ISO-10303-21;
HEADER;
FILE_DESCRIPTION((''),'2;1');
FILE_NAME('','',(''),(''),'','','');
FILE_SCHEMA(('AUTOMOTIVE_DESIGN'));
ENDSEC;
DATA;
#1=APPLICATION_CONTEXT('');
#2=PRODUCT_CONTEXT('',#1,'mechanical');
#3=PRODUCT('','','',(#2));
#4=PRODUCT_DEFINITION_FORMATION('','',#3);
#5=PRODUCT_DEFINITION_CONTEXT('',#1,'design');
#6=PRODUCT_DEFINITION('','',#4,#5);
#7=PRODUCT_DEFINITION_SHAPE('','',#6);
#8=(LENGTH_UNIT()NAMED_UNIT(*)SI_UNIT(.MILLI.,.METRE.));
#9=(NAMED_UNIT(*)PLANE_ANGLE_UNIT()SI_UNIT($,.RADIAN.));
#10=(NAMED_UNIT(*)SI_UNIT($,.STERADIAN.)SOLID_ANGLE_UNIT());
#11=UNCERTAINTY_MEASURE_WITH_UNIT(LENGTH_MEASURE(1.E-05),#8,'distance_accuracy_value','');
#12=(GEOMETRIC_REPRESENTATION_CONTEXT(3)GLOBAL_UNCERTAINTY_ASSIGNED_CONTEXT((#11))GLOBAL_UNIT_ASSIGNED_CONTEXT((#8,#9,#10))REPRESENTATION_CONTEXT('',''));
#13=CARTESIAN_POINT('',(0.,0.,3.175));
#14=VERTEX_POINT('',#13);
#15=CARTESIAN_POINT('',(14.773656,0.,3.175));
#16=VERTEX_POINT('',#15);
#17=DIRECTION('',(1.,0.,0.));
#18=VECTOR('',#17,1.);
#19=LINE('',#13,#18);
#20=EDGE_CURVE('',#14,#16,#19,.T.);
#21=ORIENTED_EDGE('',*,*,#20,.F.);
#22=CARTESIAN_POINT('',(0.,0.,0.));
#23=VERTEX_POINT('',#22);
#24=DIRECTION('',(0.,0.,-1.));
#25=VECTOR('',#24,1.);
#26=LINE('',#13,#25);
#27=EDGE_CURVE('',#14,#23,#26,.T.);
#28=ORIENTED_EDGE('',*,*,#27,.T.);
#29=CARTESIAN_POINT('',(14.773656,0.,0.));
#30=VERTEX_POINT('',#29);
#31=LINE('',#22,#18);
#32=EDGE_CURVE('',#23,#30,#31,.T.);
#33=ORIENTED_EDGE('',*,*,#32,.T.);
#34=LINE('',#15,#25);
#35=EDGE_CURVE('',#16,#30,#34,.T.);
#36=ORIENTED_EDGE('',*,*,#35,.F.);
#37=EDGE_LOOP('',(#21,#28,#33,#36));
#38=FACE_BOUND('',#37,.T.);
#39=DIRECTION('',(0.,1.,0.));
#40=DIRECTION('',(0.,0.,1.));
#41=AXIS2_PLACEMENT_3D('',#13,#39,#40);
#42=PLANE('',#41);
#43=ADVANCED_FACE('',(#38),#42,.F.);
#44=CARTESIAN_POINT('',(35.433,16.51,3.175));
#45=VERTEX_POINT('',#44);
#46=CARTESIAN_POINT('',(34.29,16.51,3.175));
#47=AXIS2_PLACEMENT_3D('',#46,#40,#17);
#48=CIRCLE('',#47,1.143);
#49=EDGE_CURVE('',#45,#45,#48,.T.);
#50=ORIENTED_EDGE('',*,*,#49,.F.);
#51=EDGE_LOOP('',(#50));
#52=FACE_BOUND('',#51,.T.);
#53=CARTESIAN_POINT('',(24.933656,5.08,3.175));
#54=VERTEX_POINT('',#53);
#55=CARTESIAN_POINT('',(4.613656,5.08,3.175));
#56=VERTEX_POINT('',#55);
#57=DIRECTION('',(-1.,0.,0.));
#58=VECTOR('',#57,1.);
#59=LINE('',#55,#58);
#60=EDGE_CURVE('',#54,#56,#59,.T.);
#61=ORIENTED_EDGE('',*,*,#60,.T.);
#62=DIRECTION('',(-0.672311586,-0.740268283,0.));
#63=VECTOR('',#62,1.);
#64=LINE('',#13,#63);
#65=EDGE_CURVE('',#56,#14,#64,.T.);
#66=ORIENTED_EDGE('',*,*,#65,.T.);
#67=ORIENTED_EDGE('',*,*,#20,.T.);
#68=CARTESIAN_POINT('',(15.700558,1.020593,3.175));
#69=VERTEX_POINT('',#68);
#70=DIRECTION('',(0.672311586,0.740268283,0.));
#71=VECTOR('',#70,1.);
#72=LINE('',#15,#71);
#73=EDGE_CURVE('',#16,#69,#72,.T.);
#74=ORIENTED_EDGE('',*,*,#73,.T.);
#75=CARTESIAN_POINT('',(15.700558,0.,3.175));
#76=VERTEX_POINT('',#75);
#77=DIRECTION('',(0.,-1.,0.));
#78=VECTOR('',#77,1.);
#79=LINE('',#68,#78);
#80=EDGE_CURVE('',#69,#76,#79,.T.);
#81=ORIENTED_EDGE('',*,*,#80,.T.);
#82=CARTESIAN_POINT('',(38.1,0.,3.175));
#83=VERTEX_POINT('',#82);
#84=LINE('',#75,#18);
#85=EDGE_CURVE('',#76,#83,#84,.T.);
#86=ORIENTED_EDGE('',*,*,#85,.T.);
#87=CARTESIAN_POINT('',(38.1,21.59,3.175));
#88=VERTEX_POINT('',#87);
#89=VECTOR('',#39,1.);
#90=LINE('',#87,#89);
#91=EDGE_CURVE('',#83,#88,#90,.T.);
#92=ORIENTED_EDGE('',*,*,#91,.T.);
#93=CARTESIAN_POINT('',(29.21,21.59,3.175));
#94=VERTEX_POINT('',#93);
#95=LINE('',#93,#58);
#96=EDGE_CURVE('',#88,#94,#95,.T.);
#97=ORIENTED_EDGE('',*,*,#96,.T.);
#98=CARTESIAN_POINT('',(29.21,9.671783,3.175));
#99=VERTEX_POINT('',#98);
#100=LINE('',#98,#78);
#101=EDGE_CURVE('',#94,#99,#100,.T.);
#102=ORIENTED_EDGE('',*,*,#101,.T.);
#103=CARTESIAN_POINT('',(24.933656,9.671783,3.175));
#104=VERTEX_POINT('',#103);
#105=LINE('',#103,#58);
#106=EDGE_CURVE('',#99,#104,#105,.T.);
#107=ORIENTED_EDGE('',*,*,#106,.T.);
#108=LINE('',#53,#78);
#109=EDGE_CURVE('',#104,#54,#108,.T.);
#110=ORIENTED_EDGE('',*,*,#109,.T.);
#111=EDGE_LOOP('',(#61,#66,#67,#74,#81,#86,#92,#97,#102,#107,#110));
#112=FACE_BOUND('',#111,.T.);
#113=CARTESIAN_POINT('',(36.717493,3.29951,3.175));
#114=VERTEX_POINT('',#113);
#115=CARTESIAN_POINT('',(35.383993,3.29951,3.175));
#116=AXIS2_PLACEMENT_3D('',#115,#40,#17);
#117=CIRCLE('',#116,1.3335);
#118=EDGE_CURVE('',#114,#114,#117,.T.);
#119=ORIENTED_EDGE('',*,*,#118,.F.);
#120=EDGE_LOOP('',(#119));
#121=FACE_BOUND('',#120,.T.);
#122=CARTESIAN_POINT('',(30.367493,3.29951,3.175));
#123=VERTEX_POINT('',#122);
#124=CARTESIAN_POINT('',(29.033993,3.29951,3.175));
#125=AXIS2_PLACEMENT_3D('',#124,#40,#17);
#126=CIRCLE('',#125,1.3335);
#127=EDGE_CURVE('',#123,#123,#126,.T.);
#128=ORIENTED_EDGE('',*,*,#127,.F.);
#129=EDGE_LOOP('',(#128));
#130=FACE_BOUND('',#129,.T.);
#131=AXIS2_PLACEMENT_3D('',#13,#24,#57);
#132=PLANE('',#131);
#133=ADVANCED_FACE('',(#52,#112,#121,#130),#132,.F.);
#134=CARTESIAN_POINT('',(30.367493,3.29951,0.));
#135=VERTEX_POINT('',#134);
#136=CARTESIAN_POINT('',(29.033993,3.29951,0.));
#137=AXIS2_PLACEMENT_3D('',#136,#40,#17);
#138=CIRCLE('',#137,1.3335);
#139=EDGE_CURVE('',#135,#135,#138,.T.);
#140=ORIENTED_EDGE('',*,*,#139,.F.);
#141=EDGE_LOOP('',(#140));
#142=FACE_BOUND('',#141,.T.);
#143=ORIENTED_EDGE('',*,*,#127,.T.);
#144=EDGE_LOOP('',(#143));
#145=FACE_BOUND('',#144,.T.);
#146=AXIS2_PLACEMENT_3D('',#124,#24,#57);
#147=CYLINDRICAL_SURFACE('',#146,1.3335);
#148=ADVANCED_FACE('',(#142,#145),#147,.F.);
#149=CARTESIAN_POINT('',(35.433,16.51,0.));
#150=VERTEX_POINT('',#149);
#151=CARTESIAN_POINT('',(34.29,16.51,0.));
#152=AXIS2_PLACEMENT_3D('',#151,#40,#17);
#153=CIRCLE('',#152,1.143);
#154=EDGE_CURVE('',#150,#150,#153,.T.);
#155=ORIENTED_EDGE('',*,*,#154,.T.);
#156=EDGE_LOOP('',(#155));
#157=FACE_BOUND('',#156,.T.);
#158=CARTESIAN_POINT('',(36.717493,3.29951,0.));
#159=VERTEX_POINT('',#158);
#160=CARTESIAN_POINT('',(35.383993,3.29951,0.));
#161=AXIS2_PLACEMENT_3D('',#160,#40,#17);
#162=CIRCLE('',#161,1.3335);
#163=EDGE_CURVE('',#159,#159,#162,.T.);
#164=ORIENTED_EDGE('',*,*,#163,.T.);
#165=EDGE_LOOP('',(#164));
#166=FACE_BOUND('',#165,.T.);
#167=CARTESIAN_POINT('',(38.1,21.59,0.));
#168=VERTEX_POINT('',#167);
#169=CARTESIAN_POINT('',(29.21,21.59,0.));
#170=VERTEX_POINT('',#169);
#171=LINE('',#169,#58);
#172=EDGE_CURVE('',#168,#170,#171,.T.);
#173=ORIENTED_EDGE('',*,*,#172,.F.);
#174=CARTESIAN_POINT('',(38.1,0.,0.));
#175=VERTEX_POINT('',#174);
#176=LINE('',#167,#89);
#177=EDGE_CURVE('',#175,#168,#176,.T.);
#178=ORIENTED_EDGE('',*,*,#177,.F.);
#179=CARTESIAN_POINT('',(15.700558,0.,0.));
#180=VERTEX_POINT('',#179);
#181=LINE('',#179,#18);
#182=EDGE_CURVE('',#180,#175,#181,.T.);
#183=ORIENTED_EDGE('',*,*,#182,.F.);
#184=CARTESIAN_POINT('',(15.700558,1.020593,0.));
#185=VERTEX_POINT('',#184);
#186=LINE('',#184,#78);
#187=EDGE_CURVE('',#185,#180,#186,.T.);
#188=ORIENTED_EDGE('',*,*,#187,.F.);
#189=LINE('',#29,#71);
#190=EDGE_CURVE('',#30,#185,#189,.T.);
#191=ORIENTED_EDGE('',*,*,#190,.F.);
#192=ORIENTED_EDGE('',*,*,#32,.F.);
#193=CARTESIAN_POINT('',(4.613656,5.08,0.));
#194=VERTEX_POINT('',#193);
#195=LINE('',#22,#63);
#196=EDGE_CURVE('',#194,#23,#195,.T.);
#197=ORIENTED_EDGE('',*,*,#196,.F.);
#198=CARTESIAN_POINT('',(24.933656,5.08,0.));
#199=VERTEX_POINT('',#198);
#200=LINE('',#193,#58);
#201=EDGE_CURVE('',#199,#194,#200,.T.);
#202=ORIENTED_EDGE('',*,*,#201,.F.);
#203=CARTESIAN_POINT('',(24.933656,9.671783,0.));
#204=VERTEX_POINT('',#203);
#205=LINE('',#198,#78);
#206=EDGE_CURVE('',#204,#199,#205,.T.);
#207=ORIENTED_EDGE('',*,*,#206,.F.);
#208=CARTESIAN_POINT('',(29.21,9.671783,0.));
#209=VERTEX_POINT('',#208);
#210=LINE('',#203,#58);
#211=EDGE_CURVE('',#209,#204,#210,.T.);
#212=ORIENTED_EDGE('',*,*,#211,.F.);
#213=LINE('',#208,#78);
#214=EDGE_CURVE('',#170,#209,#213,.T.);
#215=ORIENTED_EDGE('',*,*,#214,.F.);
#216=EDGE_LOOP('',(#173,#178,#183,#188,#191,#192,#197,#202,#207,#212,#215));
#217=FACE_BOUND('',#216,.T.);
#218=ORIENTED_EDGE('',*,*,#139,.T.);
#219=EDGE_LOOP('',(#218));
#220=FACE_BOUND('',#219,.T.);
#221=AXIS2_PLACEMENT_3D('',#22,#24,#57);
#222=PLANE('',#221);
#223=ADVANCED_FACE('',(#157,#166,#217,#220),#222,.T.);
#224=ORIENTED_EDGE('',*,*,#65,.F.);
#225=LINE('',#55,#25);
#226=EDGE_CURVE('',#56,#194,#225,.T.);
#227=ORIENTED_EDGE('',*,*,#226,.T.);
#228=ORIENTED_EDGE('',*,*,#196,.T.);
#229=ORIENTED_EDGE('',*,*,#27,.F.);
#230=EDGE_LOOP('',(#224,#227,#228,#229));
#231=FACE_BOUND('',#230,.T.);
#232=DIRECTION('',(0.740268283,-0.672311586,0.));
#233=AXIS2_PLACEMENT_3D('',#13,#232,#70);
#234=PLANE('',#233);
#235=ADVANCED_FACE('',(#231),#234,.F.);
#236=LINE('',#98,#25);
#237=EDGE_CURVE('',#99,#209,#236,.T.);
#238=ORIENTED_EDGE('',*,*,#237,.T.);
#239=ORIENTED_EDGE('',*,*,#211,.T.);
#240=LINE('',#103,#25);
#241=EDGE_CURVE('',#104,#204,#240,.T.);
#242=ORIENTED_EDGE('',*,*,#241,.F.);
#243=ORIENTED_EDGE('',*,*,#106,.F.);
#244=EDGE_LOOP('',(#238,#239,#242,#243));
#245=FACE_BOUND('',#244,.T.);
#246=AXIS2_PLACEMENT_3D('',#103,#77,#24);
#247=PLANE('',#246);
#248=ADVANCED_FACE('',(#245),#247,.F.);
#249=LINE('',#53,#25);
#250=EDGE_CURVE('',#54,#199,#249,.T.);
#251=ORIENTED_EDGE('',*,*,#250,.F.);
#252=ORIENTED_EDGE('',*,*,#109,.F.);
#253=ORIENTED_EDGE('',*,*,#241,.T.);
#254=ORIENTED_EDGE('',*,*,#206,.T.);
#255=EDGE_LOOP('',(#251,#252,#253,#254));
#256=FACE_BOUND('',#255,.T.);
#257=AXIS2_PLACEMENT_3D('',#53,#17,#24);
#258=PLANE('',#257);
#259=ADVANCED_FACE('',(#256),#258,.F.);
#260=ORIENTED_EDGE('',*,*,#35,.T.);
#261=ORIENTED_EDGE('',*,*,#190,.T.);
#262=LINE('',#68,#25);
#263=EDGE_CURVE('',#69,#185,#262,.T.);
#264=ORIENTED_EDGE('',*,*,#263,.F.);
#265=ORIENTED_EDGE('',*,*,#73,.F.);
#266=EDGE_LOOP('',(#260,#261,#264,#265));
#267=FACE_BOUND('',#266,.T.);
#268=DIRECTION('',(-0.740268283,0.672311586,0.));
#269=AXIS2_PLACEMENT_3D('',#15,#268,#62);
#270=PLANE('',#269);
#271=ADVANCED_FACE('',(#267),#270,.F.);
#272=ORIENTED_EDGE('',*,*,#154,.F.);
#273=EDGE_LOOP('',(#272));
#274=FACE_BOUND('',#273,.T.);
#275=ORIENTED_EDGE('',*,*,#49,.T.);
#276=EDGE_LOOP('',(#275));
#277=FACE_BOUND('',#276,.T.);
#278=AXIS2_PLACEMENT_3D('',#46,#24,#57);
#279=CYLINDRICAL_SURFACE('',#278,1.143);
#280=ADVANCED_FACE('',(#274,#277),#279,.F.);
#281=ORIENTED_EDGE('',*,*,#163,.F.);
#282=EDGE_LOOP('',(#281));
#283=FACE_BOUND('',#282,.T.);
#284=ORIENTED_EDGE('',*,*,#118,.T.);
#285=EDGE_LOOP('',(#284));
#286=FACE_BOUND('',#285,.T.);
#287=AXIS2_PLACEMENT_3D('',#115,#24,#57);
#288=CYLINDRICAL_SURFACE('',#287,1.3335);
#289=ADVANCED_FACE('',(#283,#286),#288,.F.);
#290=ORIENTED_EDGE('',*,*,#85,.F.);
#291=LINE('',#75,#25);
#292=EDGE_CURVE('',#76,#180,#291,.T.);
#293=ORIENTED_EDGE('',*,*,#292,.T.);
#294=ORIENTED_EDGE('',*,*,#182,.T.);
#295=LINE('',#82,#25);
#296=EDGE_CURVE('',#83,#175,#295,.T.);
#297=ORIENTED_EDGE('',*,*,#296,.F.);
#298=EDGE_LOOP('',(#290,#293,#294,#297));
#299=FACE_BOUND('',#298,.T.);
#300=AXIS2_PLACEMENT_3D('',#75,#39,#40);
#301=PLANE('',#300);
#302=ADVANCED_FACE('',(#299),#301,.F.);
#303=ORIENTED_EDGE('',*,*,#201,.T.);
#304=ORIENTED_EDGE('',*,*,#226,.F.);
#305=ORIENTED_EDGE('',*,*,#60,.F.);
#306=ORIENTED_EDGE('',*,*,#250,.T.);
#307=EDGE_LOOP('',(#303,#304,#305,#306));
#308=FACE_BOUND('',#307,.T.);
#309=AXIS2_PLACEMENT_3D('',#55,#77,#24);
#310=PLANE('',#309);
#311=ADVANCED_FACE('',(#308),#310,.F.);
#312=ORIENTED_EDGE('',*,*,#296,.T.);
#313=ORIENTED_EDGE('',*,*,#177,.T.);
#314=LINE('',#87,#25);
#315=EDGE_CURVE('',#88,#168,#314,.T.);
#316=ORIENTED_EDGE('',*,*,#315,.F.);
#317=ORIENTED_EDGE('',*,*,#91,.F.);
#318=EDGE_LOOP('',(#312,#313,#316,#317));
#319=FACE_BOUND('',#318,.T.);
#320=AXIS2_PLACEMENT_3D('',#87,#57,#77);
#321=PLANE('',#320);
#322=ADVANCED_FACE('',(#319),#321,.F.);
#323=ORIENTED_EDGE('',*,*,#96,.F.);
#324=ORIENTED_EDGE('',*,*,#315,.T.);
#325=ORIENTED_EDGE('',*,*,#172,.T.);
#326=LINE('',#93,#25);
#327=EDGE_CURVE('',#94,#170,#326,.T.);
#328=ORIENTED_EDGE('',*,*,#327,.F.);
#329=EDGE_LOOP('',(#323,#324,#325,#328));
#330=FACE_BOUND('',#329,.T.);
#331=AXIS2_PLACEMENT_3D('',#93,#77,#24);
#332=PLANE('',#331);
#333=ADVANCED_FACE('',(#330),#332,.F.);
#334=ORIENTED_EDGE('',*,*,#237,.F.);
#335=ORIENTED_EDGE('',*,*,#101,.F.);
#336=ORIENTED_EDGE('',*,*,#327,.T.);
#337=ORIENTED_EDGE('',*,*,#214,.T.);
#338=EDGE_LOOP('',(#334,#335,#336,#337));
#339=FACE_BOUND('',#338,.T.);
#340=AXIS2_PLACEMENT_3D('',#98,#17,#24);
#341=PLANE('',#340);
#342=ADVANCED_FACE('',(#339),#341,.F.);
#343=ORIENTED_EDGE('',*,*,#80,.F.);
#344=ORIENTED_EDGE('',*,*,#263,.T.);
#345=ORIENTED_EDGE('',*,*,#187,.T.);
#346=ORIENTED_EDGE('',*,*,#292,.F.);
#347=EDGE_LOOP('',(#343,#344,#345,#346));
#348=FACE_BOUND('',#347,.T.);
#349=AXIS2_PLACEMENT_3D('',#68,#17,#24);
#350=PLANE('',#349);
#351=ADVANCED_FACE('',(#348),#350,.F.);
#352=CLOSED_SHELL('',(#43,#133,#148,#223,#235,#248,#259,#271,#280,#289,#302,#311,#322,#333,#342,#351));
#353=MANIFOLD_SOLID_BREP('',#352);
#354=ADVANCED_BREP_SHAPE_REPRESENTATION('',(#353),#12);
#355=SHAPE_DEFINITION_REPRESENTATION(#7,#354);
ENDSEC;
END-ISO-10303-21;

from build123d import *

# Parameters (mm, degrees)
SKETCH1_R           = 1.3335
SKETCH1_R_2         = 1.143
BOSS_EXTRUDE1_DEPTH = 3.175


with BuildPart() as part:
    # Sketch1 → Boss-Extrude1 (new body)
    with BuildSketch(Plane.XY):
        Polygon((0, 0), (4.613655526, 5.08), (24.933655526, 5.08), (24.933655526, 9.671782949), (29.21, 9.671782949), (29.21, 21.59), (38.1, 21.59), (38.1, 0), (15.700557681, 0), (15.700557681, 1.020592656), (14.773655526, 0), align=None)
        with Locations((29.033993158, 3.299509856)):
            Circle(SKETCH1_R, mode=Mode.SUBTRACT)
        with Locations((35.383993158, 3.299509856)):
            Circle(SKETCH1_R, mode=Mode.SUBTRACT)
        with Locations((34.29, 16.51)):
            Circle(SKETCH1_R_2, mode=Mode.SUBTRACT)
    extrude(amount=BOSS_EXTRUDE1_DEPTH)


solid = part.part
